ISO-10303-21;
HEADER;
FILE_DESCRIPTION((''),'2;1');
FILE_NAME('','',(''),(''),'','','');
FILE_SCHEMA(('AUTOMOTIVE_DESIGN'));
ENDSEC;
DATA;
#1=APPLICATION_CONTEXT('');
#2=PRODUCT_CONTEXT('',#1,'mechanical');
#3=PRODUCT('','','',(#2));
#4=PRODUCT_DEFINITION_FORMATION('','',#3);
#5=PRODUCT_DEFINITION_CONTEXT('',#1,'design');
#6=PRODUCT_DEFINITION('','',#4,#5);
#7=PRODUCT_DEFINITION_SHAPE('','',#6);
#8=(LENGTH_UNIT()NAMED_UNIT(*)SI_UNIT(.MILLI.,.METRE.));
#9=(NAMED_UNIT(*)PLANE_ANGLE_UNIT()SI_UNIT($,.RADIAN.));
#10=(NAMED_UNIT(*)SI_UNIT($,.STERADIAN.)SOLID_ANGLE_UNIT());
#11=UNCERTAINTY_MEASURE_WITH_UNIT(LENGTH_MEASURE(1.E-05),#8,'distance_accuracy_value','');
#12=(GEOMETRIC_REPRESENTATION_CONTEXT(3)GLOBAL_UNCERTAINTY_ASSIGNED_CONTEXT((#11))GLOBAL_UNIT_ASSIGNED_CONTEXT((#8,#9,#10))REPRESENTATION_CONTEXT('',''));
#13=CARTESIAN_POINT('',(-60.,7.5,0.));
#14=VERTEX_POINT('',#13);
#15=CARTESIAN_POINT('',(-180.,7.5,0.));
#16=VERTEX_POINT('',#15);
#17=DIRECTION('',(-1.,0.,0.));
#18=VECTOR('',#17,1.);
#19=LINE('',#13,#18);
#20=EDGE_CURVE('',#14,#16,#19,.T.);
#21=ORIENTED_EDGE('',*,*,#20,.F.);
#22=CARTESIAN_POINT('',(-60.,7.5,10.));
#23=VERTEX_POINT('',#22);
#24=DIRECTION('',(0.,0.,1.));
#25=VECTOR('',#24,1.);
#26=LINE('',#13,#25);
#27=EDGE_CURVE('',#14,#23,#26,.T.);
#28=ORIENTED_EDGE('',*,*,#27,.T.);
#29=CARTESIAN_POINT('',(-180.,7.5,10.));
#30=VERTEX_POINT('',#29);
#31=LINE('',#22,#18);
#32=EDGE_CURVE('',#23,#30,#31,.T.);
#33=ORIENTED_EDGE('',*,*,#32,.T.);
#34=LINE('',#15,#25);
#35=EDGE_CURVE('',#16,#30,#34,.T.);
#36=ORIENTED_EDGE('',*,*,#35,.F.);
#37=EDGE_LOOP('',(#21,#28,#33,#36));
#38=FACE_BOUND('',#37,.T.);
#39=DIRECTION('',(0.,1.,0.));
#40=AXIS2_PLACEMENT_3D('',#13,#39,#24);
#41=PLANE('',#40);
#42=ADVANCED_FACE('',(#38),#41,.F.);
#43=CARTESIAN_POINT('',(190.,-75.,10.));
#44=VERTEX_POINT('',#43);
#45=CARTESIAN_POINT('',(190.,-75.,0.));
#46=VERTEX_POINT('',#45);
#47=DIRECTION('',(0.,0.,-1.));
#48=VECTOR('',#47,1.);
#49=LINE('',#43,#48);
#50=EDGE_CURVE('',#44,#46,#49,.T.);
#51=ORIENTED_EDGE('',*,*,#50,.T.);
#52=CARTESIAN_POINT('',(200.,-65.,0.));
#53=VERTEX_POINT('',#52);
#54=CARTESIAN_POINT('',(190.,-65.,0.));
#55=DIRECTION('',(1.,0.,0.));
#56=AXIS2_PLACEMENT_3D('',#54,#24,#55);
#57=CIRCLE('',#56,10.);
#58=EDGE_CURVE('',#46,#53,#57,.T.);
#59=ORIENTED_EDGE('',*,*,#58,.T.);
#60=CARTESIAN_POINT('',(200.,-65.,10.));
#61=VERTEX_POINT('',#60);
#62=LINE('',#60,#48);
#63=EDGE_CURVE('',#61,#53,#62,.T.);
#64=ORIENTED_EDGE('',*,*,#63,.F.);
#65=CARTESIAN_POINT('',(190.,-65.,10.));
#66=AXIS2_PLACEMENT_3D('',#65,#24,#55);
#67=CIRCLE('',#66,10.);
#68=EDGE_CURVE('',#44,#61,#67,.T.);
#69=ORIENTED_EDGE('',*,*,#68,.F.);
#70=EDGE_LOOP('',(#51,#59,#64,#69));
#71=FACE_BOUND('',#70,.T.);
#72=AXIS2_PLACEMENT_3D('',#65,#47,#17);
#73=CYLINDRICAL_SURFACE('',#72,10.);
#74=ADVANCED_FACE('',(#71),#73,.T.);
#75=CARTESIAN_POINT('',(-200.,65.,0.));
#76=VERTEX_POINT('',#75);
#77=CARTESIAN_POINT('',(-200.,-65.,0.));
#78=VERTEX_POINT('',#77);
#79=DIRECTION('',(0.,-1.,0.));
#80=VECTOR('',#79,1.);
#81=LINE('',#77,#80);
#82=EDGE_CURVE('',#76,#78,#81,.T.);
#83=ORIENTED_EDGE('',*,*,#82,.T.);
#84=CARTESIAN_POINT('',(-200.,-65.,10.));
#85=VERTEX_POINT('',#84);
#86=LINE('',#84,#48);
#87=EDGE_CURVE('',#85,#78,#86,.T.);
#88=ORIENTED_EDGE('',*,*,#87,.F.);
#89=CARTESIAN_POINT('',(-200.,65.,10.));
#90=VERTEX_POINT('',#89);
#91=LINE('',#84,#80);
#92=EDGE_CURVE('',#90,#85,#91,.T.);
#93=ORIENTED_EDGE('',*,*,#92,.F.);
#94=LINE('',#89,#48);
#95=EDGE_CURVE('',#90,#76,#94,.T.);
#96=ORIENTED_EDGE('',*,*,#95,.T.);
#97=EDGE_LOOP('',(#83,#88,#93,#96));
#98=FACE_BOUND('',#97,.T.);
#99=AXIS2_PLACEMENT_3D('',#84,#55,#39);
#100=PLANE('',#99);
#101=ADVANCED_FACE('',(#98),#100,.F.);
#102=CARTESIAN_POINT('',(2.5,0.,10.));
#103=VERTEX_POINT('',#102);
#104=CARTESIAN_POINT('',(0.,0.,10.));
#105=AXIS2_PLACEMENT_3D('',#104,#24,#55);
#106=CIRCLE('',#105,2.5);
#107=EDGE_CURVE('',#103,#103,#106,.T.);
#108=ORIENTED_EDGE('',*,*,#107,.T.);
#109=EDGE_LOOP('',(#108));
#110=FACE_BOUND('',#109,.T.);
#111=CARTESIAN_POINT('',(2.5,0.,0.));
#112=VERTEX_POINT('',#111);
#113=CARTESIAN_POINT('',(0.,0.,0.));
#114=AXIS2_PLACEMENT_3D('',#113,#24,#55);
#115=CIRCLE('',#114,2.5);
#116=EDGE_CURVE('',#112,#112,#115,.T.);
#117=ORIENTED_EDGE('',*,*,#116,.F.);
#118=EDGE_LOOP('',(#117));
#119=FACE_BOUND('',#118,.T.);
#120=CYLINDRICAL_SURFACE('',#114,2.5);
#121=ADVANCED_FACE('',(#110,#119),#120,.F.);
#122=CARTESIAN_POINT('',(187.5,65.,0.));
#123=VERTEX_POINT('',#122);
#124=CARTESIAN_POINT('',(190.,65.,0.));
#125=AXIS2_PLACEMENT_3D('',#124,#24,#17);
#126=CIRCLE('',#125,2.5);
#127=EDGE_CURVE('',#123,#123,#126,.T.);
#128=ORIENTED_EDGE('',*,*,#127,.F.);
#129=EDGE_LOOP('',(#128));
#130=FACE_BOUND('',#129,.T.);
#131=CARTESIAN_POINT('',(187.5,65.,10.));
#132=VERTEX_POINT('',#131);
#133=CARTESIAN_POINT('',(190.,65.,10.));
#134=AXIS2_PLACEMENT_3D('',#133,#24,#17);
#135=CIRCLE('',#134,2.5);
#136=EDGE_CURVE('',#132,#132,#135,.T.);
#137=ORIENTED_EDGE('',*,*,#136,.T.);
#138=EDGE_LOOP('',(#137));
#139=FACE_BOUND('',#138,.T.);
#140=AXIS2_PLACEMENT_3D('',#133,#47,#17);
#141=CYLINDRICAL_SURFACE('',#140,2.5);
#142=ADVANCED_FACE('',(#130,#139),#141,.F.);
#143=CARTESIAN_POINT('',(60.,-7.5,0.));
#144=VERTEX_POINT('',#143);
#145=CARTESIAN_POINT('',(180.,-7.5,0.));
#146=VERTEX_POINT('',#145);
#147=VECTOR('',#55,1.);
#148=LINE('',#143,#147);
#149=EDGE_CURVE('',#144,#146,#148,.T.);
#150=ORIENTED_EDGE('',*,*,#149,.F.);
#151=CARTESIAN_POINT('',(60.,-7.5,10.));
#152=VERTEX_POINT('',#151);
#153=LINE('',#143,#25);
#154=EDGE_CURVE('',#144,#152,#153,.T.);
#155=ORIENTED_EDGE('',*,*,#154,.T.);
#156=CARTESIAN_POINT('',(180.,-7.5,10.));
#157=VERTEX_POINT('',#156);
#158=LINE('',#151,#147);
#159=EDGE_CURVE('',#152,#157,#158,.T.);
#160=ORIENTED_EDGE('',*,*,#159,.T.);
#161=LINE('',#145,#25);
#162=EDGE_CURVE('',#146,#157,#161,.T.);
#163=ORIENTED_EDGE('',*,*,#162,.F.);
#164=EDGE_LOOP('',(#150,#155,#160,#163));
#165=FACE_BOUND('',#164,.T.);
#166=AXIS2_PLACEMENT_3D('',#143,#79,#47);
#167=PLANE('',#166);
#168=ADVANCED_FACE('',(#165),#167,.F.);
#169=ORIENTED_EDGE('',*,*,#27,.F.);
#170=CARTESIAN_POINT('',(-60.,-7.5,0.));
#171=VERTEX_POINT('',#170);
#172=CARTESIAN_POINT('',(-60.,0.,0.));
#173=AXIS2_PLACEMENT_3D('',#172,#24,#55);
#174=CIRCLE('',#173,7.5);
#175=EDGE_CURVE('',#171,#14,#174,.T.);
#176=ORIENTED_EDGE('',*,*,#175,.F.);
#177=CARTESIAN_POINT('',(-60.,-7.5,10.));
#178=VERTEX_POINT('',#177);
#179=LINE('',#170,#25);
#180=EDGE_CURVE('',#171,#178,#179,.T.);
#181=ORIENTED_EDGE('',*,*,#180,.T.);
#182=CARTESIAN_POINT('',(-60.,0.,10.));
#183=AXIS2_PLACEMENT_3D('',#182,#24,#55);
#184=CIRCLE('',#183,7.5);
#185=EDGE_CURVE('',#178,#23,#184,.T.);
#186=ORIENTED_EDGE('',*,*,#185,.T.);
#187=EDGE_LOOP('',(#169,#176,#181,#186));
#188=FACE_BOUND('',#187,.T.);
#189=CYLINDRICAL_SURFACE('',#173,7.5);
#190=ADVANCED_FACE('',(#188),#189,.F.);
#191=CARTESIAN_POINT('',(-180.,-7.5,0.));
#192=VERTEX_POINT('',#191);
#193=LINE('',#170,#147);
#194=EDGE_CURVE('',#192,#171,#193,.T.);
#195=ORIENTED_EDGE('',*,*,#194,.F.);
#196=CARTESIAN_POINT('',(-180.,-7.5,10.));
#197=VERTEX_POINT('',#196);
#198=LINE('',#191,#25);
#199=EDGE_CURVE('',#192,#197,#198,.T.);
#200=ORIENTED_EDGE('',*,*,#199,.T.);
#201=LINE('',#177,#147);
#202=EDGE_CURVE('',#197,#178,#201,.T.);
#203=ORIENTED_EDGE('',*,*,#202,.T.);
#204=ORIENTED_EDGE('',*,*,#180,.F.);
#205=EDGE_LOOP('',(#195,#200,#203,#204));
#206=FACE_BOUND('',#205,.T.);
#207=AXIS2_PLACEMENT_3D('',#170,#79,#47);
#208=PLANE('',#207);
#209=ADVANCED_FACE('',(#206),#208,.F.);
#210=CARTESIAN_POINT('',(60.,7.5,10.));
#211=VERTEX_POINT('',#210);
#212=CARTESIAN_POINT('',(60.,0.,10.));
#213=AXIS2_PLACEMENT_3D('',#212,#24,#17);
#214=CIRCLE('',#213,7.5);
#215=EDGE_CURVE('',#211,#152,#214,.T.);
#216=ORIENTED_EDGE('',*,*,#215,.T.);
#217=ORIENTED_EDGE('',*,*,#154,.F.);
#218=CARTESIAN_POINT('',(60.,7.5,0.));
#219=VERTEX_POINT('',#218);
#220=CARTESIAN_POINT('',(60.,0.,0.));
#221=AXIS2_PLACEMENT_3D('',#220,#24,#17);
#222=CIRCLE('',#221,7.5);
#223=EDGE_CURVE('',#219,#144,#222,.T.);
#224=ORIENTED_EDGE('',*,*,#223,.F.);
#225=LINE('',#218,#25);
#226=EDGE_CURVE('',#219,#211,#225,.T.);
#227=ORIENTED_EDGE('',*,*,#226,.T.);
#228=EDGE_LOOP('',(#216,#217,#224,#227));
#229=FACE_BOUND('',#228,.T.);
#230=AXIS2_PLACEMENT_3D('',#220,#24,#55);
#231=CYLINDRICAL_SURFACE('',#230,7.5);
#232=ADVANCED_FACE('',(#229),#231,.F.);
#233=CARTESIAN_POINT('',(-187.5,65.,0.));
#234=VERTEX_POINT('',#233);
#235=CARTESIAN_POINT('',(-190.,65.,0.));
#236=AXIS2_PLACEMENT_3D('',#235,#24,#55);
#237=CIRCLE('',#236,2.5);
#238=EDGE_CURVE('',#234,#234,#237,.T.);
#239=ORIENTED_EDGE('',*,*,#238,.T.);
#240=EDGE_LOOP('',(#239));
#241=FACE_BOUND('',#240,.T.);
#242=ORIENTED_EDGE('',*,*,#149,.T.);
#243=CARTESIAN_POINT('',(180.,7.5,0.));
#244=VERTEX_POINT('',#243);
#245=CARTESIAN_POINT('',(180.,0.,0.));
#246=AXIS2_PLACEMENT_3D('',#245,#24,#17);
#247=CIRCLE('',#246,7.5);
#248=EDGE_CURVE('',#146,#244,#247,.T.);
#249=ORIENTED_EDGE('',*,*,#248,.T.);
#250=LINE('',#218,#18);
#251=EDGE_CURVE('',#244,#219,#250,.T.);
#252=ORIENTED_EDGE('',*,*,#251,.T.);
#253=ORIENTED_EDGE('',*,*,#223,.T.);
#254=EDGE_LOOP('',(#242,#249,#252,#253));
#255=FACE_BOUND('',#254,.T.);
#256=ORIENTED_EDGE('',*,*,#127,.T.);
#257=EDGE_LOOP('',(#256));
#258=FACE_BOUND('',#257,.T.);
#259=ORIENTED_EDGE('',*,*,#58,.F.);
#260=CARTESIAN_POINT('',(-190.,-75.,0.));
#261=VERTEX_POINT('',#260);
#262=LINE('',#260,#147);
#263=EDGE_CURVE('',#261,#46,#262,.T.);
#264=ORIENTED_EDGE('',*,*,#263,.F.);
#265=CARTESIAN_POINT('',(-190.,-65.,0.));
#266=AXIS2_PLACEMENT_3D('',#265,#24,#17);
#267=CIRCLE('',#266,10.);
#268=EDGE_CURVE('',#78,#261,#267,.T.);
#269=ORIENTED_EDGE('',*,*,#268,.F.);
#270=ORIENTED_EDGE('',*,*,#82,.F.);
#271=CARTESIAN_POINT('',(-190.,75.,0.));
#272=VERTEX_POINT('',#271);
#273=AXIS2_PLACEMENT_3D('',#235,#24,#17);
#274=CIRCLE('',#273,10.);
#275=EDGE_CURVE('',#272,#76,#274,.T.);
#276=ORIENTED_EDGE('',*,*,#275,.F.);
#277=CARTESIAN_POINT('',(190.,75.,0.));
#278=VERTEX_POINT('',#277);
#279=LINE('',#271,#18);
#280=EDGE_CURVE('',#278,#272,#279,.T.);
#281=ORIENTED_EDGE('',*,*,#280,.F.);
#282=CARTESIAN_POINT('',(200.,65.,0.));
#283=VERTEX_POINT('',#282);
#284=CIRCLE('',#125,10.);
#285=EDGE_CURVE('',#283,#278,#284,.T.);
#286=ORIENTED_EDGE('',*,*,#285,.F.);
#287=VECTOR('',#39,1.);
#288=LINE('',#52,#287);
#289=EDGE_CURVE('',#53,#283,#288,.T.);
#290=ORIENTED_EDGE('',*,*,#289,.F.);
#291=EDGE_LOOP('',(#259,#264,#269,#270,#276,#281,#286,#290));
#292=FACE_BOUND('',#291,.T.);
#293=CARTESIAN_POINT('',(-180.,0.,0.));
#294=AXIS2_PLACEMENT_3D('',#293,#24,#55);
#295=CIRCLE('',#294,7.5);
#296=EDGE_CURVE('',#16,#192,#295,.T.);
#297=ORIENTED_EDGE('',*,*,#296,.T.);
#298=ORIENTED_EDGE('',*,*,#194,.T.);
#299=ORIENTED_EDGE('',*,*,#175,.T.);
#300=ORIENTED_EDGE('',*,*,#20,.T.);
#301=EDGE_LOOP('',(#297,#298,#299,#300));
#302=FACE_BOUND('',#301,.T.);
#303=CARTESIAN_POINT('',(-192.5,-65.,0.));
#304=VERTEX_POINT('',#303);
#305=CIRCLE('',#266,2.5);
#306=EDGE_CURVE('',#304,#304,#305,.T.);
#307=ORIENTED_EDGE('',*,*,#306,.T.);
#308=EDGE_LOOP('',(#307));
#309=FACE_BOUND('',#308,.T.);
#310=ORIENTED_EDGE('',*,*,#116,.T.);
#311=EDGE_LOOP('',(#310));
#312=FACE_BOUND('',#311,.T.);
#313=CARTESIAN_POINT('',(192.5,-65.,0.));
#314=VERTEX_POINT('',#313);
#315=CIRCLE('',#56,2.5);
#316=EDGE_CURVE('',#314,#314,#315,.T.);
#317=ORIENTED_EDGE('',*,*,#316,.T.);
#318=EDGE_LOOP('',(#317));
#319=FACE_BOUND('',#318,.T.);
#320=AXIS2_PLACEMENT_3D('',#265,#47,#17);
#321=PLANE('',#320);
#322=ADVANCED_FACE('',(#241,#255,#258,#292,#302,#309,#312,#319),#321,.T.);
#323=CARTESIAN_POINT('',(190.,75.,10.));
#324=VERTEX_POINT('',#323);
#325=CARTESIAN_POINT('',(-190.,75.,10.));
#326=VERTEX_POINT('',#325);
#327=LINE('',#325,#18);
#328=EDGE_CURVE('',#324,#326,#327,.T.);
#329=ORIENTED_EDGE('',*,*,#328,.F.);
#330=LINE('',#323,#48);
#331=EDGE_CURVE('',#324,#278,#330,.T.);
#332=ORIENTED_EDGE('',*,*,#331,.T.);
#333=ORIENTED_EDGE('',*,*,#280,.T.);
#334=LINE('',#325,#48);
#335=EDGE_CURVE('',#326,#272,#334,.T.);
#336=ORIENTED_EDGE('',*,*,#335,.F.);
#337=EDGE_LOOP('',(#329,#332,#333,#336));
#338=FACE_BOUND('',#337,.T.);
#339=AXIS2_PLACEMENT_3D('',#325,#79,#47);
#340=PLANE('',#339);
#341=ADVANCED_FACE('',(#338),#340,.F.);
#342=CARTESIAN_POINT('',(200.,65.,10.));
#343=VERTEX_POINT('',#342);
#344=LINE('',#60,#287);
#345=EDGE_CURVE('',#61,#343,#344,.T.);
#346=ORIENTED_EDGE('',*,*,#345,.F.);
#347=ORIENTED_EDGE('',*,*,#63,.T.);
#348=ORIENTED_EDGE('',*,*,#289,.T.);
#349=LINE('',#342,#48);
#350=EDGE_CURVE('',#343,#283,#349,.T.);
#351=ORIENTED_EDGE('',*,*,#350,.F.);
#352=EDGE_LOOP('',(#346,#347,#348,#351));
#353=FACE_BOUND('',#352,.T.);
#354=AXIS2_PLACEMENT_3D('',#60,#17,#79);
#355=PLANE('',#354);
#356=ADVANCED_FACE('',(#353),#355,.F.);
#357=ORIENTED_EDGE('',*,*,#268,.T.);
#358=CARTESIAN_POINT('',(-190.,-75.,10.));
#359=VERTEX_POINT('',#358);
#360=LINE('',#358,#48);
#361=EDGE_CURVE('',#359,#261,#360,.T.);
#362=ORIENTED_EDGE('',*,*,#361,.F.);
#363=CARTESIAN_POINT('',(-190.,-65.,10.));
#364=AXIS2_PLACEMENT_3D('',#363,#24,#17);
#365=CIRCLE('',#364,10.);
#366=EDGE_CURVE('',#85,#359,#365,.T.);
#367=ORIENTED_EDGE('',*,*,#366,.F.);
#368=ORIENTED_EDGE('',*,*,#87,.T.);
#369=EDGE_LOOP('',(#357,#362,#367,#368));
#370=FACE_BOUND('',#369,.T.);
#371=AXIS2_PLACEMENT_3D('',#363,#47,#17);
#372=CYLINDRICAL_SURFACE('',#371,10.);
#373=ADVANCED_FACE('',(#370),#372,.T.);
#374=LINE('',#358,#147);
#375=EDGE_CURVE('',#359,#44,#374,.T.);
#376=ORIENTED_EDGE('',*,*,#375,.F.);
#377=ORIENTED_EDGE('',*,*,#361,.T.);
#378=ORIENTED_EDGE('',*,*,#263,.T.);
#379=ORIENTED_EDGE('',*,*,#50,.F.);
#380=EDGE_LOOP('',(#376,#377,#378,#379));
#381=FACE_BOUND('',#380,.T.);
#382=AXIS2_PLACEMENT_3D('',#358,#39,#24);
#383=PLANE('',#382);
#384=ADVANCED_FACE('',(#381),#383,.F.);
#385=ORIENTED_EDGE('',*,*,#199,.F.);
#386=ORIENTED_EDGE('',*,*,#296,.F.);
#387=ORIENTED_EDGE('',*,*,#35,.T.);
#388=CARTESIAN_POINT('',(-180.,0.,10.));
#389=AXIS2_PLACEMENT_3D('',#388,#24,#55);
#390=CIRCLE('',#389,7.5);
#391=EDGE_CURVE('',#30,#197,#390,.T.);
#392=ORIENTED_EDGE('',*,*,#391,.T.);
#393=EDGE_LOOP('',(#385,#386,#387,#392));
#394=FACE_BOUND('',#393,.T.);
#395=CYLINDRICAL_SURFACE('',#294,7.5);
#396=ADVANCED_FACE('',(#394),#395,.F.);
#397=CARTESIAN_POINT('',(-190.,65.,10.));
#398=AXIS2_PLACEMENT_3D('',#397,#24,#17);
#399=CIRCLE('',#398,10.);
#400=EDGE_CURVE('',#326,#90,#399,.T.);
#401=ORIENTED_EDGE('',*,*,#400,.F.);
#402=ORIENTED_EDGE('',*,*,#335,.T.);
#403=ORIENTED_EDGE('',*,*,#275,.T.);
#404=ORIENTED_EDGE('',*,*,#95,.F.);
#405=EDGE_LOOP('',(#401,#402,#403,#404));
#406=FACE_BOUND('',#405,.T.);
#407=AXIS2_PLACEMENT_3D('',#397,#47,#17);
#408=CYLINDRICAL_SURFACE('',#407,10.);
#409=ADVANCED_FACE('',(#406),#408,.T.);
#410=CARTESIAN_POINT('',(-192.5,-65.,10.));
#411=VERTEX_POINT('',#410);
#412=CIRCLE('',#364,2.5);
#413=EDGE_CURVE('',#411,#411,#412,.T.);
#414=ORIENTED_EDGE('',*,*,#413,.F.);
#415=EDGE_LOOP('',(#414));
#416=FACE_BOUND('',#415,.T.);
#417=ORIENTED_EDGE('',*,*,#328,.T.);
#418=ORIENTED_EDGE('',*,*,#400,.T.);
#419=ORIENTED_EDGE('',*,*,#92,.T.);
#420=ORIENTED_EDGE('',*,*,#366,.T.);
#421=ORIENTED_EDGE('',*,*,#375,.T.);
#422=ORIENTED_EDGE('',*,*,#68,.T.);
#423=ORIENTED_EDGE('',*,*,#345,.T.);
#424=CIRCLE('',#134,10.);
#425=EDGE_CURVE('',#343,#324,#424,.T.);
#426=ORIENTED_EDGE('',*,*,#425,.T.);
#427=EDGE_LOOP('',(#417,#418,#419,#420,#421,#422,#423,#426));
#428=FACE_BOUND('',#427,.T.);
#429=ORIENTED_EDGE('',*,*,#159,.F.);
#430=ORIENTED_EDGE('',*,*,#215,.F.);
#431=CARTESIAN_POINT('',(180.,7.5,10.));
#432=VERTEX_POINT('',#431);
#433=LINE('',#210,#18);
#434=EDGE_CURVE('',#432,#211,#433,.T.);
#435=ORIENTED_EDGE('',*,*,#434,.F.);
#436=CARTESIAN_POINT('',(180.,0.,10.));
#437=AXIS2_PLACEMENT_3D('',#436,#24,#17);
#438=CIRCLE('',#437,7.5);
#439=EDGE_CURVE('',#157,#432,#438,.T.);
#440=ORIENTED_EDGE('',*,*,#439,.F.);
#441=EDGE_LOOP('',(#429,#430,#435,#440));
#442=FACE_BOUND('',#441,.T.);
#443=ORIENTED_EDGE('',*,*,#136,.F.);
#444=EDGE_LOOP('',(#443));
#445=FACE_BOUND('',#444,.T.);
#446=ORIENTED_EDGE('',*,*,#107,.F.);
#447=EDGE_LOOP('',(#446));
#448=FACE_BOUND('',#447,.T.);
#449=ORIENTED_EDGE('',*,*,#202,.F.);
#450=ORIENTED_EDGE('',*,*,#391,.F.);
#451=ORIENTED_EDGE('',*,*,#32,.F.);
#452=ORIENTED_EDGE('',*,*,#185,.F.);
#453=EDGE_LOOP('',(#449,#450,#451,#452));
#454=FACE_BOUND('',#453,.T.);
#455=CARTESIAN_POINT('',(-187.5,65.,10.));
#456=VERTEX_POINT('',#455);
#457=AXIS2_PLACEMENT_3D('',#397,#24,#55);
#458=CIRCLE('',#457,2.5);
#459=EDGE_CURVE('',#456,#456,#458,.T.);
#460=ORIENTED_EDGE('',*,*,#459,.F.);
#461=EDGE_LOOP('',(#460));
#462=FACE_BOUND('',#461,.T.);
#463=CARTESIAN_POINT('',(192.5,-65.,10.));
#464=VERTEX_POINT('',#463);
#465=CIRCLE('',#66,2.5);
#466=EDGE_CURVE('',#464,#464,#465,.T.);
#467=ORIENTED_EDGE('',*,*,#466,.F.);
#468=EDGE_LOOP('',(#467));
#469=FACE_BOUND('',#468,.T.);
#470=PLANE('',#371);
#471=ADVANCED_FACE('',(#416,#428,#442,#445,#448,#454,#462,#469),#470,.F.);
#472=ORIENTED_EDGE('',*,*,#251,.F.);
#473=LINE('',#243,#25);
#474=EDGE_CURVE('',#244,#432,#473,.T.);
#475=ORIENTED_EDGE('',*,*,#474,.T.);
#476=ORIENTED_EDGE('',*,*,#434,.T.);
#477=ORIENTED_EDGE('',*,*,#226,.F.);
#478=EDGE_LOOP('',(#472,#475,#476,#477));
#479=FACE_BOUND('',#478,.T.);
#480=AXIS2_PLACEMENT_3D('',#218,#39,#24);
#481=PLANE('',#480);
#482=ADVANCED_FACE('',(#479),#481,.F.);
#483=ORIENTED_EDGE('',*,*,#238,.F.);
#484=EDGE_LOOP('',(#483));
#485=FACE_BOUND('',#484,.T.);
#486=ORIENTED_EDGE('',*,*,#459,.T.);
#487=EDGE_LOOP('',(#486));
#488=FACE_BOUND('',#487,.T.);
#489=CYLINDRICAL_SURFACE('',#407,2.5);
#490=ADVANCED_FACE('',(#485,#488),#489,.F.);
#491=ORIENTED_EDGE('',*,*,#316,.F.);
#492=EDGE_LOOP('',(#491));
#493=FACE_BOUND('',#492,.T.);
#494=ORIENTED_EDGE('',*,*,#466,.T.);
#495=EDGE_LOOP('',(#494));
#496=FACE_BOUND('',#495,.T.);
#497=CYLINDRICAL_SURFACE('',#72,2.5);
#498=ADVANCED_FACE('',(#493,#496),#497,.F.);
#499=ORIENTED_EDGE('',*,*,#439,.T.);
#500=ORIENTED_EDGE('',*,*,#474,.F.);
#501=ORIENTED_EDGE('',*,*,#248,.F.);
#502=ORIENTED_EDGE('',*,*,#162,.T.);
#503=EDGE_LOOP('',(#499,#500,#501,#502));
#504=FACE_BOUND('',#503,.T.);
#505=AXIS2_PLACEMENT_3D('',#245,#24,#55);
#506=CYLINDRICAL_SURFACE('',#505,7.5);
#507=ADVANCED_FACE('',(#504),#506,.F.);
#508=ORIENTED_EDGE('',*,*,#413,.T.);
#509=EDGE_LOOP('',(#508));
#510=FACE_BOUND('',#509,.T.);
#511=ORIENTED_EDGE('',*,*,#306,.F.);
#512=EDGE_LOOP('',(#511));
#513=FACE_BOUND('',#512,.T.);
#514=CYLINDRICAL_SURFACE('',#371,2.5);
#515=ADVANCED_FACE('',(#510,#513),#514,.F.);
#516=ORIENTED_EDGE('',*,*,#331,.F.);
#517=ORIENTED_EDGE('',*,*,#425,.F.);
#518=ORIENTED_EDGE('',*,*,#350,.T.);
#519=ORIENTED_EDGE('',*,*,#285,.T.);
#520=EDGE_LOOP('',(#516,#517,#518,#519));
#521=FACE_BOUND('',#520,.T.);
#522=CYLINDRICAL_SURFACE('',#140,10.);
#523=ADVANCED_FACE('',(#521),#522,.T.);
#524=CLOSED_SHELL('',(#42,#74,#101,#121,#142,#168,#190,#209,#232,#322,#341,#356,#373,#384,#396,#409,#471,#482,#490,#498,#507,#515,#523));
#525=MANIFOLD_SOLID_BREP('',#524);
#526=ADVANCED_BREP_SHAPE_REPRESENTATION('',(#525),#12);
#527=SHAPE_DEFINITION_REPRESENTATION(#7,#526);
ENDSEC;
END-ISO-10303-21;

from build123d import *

# Parameters (mm, degrees)
SKETCH1_R           = 2.5
BOSS_EXTRUDE1_DEPTH = 10
SKETCH2_R           = 2.5
CUT_EXTRUDE1_DEPTH  = 10


with BuildPart() as part:
    # Sketch1 → Boss-Extrude1 (new body)
    with BuildSketch(Plane.XY):
        with BuildLine():
            Line((-190, -75), (190, -75))
            ThreePointArc((190, -75), (197.071067812, -72.071067812), (200, -65))
            Line((200, -65), (200, 65))
            ThreePointArc((200, 65), (197.071067812, 72.071067812), (190, 75))
            Line((190, 75), (-190, 75))
            ThreePointArc((-190, 75), (-197.071067812, 72.071067812), (-200, 65))
            Line((-200, 65), (-200, -65))
            ThreePointArc((-200, -65), (-197.071067812, -72.071067812), (-190, -75))
        make_face()
        with Locations((-190, 65)):
            Circle(SKETCH1_R, mode=Mode.SUBTRACT)
        with Locations(Location((-190, -65, 0), (0, 0, 180))):
            Circle(SKETCH1_R, mode=Mode.SUBTRACT)
        with Locations((190, -65)):
            Circle(SKETCH1_R, mode=Mode.SUBTRACT)
        with Locations(Location((190, 65, 0), (0, 0, 180))):
            Circle(SKETCH1_R, mode=Mode.SUBTRACT)
    extrude(amount=BOSS_EXTRUDE1_DEPTH)

    # Sketch2 → Cut-Extrude1 (cut)
    with BuildSketch(Plane.XY.offset(10)):
        Circle(SKETCH2_R)
        with BuildLine():
            Line((-60, -7.5), (-180, -7.5))
            ThreePointArc((-180, -7.5), (-187.5, 0), (-180, 7.5))
            Line((-180, 7.5), (-60, 7.5))
            ThreePointArc((-60, 7.5), (-52.5, 0), (-60, -7.5))
        make_face()
        with BuildLine():
            Line((60, -7.5), (180, -7.5))
            ThreePointArc((180, -7.5), (187.5, 0), (180, 7.5))
            Line((180, 7.5), (60, 7.5))
            ThreePointArc((60, 7.5), (52.5, 0), (60, -7.5))
        make_face()
    extrude(amount=-CUT_EXTRUDE1_DEPTH, mode=Mode.SUBTRACT)


solid = part.part
